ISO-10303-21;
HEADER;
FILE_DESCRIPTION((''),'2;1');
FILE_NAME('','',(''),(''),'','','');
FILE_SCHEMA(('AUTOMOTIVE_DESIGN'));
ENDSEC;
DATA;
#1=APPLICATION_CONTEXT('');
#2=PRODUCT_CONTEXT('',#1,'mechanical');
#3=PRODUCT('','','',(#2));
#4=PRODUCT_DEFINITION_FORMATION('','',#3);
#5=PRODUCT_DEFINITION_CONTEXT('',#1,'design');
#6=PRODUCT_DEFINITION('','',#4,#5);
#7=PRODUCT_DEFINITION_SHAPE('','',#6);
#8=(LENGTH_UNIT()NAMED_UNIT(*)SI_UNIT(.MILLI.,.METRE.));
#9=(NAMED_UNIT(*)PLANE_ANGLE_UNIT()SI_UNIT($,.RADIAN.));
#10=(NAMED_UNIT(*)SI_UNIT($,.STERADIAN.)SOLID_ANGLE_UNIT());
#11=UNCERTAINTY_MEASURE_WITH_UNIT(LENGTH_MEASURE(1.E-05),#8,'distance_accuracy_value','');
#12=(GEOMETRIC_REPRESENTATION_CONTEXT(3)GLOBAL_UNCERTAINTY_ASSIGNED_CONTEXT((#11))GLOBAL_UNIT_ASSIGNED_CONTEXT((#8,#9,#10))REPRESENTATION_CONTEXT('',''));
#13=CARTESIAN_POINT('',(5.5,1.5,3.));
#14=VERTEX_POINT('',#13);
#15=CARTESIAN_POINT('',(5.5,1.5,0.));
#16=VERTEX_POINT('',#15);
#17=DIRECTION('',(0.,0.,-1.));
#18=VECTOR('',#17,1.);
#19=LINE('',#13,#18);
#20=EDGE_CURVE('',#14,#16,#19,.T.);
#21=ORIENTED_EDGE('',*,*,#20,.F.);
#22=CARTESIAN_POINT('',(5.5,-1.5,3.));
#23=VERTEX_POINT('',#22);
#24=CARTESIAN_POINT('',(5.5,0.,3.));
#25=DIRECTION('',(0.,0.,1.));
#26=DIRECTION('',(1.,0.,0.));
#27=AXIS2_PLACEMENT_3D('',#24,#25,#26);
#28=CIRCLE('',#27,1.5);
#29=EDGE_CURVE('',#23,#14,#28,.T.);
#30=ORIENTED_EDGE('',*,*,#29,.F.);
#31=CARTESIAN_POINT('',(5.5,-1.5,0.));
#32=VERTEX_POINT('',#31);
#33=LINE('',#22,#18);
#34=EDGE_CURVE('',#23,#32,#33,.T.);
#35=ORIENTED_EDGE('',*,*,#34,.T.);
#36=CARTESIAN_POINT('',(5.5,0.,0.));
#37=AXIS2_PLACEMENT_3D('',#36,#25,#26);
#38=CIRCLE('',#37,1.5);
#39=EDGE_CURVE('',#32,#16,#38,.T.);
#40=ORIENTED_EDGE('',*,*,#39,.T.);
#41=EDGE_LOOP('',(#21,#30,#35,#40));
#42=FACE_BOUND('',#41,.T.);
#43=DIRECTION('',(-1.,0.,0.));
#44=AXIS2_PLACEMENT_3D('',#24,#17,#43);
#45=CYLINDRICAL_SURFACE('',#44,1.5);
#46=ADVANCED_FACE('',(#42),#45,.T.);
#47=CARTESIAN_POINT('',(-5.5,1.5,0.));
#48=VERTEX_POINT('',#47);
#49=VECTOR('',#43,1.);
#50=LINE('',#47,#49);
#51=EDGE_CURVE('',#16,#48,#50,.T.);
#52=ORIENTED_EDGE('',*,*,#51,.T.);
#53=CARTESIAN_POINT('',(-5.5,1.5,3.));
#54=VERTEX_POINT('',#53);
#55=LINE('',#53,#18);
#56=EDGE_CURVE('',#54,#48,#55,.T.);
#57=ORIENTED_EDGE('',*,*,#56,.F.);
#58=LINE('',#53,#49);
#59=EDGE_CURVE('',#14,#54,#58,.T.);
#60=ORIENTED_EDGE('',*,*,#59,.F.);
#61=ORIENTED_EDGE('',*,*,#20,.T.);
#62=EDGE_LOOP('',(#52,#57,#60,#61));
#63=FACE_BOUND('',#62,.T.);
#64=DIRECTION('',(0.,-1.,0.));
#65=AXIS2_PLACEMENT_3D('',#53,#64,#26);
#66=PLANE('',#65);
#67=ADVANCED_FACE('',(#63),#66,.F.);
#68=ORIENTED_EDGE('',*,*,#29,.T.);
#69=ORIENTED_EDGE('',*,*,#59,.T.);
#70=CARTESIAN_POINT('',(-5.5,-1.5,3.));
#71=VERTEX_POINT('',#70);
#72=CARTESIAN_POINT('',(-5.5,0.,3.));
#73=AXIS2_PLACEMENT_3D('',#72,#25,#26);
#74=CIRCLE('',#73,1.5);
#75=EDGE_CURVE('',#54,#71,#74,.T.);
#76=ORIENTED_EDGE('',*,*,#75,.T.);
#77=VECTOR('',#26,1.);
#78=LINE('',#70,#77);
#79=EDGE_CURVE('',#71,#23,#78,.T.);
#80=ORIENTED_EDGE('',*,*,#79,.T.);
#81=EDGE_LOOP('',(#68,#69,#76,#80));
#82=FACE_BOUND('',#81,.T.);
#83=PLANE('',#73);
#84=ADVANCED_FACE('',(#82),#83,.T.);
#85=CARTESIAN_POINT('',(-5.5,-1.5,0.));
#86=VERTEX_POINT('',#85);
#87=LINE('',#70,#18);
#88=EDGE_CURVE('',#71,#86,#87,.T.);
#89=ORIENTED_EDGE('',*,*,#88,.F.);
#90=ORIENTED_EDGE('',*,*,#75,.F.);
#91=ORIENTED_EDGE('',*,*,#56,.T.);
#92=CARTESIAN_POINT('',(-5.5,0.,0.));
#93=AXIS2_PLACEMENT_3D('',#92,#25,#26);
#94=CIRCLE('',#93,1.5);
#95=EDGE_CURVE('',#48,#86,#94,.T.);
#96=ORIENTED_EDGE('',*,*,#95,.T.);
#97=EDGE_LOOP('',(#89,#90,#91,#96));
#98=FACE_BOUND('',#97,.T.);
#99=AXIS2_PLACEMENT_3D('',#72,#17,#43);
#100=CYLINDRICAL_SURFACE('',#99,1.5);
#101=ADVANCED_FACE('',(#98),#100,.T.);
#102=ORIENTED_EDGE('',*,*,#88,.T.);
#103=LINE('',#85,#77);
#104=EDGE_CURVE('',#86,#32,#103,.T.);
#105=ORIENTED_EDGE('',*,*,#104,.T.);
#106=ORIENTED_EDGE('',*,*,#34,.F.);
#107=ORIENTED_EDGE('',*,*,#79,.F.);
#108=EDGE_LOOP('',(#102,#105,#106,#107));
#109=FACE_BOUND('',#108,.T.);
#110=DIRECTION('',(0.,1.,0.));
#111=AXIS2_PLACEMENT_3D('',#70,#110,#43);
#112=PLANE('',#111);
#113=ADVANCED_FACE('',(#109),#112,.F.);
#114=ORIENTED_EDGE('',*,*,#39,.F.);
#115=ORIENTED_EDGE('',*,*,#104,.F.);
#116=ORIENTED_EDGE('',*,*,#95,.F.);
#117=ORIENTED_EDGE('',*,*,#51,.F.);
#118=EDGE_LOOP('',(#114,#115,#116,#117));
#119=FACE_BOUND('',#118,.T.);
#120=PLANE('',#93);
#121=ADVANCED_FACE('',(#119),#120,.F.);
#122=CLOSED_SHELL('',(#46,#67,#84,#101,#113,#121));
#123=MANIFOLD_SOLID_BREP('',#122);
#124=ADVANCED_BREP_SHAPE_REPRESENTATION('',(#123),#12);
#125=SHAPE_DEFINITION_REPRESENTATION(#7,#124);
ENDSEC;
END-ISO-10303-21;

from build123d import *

# Parameters (mm, degrees)
BOSS_EXTRUDE1_DEPTH = 3


with BuildPart() as part:
    # Sketch1 → Boss-Extrude1 (new body)
    with BuildSketch(Plane.XY):
        with BuildLine():
            Line((-5.5, 1.5), (5.5, 1.5))
            ThreePointArc((5.5, 1.5), (7, 0), (5.5, -1.5))
            Line((5.5, -1.5), (-5.5, -1.5))
            ThreePointArc((-5.5, -1.5), (-7, 0), (-5.5, 1.5))
        make_face()
    extrude(amount=BOSS_EXTRUDE1_DEPTH)


solid = part.part
